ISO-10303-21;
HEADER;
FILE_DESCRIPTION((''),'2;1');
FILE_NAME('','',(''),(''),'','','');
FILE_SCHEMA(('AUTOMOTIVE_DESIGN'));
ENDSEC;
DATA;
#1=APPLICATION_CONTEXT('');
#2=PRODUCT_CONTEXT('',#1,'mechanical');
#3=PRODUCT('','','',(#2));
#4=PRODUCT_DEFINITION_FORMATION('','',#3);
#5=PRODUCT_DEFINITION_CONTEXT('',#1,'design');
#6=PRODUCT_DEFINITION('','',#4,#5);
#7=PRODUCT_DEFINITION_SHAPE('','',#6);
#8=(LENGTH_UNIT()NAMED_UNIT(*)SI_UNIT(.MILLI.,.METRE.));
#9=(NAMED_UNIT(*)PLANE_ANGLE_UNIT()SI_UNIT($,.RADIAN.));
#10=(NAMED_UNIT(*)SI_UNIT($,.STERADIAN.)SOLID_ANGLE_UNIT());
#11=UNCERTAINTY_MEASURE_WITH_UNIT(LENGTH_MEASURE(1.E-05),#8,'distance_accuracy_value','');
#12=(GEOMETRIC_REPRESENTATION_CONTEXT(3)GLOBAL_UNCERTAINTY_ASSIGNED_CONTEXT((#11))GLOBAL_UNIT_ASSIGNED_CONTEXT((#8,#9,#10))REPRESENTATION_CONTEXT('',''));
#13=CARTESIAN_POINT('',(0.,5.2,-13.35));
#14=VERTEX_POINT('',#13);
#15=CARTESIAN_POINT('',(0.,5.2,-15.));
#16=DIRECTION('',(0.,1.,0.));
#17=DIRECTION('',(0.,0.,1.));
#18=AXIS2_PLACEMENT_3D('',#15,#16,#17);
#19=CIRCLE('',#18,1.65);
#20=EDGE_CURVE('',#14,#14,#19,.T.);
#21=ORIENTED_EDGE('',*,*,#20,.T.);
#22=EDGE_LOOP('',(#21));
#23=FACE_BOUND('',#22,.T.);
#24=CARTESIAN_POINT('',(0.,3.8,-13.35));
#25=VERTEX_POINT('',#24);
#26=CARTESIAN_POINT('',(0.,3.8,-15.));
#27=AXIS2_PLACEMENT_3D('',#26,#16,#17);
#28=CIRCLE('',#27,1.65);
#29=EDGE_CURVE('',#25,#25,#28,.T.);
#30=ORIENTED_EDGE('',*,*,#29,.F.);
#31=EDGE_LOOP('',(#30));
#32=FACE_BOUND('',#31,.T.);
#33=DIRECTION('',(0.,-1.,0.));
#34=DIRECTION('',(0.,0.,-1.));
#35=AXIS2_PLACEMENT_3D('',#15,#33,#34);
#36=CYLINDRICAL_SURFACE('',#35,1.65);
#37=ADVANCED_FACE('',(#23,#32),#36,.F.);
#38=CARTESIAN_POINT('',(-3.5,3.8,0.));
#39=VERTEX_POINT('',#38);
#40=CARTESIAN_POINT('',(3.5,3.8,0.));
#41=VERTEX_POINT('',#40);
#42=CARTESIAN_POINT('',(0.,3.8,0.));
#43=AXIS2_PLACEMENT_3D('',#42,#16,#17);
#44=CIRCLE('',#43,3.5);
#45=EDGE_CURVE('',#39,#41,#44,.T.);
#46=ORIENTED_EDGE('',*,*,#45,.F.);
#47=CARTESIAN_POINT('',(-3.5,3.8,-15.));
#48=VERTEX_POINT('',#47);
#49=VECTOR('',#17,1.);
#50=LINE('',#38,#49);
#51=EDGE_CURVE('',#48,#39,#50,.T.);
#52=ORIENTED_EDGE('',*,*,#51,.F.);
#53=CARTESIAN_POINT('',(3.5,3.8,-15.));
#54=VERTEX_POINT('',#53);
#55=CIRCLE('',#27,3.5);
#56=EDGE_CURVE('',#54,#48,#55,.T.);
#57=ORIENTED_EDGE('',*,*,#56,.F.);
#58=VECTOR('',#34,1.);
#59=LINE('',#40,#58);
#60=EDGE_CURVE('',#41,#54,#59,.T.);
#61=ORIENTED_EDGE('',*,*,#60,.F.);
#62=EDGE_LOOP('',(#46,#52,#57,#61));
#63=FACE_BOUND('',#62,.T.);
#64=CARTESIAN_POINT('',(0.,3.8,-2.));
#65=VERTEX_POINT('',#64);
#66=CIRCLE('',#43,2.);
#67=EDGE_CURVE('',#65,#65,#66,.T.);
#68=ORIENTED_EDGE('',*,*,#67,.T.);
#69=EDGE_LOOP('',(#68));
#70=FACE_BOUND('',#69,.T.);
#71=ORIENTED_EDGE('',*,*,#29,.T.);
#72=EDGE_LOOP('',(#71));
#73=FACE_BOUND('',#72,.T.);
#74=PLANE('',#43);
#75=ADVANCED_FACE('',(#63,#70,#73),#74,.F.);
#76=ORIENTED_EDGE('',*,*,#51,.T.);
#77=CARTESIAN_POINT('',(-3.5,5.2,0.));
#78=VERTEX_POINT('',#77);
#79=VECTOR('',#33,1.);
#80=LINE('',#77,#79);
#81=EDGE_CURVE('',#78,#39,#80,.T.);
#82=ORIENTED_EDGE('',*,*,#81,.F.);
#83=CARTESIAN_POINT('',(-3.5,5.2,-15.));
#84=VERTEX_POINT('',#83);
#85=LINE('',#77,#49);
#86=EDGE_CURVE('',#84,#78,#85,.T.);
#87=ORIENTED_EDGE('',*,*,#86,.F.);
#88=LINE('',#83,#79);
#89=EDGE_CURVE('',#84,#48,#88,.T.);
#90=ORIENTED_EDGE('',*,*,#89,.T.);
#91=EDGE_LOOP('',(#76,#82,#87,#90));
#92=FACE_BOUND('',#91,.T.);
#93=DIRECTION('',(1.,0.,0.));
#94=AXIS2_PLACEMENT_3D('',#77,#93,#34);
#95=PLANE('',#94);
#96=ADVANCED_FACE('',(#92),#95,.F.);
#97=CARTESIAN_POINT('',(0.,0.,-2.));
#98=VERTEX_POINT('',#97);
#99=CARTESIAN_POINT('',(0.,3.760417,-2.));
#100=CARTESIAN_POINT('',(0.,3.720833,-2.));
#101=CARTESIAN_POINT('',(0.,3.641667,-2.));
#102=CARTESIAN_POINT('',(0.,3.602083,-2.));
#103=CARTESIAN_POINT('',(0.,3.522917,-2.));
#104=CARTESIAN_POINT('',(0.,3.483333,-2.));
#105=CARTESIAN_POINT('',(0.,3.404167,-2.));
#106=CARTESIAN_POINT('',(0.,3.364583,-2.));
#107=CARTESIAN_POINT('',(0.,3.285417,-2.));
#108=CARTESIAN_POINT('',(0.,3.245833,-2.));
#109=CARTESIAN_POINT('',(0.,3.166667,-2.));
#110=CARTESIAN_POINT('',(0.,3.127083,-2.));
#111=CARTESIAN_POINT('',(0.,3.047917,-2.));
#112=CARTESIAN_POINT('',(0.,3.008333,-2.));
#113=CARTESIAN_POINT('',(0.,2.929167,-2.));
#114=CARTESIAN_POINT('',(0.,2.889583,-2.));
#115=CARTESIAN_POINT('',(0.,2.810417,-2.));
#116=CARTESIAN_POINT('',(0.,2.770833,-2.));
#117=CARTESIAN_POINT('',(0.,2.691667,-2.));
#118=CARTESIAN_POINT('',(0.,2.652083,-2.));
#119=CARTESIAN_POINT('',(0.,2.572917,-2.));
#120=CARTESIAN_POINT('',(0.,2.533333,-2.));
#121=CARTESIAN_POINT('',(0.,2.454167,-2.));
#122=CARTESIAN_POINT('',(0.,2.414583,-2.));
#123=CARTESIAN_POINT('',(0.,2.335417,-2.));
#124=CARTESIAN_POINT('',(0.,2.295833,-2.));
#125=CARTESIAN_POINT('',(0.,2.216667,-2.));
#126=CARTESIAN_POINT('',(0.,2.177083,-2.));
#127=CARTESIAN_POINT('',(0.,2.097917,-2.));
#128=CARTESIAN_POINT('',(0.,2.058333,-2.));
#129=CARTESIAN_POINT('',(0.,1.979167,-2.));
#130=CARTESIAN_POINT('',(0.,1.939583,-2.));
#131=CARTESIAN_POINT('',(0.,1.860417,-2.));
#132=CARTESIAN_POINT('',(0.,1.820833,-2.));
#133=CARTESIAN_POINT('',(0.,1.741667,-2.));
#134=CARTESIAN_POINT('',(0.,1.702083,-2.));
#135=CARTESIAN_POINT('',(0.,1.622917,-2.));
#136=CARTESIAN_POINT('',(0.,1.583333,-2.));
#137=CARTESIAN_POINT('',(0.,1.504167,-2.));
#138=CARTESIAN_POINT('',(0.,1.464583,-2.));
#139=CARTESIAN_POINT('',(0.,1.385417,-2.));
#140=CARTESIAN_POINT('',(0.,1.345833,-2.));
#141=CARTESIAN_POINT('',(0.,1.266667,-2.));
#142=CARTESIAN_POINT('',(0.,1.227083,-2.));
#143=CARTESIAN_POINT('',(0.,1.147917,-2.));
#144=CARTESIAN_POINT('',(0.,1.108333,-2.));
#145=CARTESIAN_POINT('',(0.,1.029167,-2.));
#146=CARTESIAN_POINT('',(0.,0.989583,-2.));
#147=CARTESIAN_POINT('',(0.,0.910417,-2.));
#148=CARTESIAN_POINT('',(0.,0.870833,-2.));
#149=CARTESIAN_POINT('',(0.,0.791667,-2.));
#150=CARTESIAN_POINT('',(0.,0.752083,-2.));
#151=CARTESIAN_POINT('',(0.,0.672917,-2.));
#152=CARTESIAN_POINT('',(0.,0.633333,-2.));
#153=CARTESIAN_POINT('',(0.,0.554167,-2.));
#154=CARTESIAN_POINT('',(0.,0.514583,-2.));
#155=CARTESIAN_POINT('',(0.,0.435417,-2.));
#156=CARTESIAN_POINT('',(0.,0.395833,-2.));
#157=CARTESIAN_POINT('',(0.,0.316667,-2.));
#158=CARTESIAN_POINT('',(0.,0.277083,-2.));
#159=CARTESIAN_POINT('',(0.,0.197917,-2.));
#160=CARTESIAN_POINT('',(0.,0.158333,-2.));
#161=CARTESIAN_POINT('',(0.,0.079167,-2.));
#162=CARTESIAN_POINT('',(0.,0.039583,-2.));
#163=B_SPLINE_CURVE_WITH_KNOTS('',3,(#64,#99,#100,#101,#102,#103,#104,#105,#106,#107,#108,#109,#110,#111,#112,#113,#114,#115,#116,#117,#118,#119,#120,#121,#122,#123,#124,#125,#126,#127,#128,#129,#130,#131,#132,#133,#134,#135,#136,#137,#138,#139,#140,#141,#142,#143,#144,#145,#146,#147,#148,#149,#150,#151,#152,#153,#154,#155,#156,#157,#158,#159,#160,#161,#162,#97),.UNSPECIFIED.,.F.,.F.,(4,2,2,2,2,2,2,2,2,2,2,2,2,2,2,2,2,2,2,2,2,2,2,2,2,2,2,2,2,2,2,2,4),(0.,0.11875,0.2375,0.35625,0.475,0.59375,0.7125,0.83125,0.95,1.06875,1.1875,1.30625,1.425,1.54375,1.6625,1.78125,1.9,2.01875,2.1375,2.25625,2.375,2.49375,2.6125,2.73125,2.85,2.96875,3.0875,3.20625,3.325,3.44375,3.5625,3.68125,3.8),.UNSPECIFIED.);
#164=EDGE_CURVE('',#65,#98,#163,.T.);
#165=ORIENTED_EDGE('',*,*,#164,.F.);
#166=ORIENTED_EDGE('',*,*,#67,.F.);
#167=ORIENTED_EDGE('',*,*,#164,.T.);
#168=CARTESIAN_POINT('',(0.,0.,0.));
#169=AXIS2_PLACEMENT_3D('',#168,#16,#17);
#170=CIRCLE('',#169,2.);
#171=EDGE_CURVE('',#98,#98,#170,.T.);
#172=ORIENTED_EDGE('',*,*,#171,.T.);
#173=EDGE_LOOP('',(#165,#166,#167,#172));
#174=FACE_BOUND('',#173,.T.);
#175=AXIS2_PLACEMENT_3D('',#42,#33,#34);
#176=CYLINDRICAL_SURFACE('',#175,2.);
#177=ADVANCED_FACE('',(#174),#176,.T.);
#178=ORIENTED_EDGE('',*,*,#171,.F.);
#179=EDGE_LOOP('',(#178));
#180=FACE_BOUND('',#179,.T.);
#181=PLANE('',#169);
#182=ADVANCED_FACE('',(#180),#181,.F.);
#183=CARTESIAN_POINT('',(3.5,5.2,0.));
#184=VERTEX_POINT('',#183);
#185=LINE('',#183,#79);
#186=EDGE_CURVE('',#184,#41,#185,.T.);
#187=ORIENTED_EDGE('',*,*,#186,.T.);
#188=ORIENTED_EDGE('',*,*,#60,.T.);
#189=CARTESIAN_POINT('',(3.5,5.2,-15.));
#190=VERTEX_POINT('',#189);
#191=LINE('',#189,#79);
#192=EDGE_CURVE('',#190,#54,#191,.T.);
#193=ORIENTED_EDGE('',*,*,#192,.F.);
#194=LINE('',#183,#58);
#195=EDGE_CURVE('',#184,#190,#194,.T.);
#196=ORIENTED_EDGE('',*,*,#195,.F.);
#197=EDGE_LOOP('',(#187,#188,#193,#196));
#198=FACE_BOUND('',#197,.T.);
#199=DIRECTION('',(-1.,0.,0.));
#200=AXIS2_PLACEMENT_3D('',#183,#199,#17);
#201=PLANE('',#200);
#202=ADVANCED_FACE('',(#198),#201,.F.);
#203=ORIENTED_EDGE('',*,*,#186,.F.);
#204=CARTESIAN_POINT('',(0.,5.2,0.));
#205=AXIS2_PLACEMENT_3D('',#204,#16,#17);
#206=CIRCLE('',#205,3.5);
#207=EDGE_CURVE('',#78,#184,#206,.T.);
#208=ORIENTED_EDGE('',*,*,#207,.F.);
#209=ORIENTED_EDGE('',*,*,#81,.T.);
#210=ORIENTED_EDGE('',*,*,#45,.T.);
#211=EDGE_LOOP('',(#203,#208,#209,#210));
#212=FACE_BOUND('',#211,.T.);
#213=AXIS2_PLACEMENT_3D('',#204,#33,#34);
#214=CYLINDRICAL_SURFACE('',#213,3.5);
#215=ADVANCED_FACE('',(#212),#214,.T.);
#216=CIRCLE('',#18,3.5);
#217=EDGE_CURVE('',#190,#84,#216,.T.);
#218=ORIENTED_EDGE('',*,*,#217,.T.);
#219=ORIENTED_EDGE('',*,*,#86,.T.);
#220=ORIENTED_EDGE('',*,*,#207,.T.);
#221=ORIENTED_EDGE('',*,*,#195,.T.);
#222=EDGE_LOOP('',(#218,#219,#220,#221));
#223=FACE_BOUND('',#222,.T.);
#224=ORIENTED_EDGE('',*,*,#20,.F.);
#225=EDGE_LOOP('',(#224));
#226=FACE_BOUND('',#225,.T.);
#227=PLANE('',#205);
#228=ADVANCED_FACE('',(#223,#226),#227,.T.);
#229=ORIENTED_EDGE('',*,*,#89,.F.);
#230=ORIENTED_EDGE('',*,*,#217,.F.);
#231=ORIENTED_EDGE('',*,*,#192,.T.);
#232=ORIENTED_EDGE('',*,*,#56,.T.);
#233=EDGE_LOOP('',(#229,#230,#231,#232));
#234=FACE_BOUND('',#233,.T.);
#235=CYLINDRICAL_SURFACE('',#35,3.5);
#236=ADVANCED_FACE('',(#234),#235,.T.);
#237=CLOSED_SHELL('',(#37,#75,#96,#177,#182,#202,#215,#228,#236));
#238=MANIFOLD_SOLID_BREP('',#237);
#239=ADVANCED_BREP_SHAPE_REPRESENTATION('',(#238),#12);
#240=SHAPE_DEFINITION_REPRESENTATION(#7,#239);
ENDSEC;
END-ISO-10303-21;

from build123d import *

# Parameters (mm, degrees)
SKETCH_1_R      = 2
EXTRUDE_1_DEPTH = 3.8
SKETCH_2_R      = 1.65
EXTRUDE_2_DEPTH = 1.4


with BuildPart() as part:
    # 草图1 → 凸台-拉伸1 (new body)
    with BuildSketch(Plane(origin=(0, 0, 0), x_dir=(1, 0, 0), z_dir=(0, 1, 0))):
        with Locations(Location((0, 0, 0), (0, 0, 90))):
            Circle(SKETCH_1_R)
    extrude(amount=EXTRUDE_1_DEPTH)

    # 草图2 → 凸台-拉伸2 (add)
    with BuildSketch(Plane(origin=(0, 3.8, 0), x_dir=(1, 0, 0), z_dir=(0, 1, 0))):
        with BuildLine():
            Line((-3.5, 0), (-3.5, 15))
            ThreePointArc((-3.5, 15), (0, 18.5), (3.5, 15))
            Line((3.5, 15), (3.5, 0))
            ThreePointArc((3.5, 0), (0, -3.5), (-3.5, 0))
        make_face()
        with Locations(Location((0, 15, 0), (0, 0, 270))):
            Circle(SKETCH_2_R, mode=Mode.SUBTRACT)
    extrude(amount=EXTRUDE_2_DEPTH)


solid = part.part
